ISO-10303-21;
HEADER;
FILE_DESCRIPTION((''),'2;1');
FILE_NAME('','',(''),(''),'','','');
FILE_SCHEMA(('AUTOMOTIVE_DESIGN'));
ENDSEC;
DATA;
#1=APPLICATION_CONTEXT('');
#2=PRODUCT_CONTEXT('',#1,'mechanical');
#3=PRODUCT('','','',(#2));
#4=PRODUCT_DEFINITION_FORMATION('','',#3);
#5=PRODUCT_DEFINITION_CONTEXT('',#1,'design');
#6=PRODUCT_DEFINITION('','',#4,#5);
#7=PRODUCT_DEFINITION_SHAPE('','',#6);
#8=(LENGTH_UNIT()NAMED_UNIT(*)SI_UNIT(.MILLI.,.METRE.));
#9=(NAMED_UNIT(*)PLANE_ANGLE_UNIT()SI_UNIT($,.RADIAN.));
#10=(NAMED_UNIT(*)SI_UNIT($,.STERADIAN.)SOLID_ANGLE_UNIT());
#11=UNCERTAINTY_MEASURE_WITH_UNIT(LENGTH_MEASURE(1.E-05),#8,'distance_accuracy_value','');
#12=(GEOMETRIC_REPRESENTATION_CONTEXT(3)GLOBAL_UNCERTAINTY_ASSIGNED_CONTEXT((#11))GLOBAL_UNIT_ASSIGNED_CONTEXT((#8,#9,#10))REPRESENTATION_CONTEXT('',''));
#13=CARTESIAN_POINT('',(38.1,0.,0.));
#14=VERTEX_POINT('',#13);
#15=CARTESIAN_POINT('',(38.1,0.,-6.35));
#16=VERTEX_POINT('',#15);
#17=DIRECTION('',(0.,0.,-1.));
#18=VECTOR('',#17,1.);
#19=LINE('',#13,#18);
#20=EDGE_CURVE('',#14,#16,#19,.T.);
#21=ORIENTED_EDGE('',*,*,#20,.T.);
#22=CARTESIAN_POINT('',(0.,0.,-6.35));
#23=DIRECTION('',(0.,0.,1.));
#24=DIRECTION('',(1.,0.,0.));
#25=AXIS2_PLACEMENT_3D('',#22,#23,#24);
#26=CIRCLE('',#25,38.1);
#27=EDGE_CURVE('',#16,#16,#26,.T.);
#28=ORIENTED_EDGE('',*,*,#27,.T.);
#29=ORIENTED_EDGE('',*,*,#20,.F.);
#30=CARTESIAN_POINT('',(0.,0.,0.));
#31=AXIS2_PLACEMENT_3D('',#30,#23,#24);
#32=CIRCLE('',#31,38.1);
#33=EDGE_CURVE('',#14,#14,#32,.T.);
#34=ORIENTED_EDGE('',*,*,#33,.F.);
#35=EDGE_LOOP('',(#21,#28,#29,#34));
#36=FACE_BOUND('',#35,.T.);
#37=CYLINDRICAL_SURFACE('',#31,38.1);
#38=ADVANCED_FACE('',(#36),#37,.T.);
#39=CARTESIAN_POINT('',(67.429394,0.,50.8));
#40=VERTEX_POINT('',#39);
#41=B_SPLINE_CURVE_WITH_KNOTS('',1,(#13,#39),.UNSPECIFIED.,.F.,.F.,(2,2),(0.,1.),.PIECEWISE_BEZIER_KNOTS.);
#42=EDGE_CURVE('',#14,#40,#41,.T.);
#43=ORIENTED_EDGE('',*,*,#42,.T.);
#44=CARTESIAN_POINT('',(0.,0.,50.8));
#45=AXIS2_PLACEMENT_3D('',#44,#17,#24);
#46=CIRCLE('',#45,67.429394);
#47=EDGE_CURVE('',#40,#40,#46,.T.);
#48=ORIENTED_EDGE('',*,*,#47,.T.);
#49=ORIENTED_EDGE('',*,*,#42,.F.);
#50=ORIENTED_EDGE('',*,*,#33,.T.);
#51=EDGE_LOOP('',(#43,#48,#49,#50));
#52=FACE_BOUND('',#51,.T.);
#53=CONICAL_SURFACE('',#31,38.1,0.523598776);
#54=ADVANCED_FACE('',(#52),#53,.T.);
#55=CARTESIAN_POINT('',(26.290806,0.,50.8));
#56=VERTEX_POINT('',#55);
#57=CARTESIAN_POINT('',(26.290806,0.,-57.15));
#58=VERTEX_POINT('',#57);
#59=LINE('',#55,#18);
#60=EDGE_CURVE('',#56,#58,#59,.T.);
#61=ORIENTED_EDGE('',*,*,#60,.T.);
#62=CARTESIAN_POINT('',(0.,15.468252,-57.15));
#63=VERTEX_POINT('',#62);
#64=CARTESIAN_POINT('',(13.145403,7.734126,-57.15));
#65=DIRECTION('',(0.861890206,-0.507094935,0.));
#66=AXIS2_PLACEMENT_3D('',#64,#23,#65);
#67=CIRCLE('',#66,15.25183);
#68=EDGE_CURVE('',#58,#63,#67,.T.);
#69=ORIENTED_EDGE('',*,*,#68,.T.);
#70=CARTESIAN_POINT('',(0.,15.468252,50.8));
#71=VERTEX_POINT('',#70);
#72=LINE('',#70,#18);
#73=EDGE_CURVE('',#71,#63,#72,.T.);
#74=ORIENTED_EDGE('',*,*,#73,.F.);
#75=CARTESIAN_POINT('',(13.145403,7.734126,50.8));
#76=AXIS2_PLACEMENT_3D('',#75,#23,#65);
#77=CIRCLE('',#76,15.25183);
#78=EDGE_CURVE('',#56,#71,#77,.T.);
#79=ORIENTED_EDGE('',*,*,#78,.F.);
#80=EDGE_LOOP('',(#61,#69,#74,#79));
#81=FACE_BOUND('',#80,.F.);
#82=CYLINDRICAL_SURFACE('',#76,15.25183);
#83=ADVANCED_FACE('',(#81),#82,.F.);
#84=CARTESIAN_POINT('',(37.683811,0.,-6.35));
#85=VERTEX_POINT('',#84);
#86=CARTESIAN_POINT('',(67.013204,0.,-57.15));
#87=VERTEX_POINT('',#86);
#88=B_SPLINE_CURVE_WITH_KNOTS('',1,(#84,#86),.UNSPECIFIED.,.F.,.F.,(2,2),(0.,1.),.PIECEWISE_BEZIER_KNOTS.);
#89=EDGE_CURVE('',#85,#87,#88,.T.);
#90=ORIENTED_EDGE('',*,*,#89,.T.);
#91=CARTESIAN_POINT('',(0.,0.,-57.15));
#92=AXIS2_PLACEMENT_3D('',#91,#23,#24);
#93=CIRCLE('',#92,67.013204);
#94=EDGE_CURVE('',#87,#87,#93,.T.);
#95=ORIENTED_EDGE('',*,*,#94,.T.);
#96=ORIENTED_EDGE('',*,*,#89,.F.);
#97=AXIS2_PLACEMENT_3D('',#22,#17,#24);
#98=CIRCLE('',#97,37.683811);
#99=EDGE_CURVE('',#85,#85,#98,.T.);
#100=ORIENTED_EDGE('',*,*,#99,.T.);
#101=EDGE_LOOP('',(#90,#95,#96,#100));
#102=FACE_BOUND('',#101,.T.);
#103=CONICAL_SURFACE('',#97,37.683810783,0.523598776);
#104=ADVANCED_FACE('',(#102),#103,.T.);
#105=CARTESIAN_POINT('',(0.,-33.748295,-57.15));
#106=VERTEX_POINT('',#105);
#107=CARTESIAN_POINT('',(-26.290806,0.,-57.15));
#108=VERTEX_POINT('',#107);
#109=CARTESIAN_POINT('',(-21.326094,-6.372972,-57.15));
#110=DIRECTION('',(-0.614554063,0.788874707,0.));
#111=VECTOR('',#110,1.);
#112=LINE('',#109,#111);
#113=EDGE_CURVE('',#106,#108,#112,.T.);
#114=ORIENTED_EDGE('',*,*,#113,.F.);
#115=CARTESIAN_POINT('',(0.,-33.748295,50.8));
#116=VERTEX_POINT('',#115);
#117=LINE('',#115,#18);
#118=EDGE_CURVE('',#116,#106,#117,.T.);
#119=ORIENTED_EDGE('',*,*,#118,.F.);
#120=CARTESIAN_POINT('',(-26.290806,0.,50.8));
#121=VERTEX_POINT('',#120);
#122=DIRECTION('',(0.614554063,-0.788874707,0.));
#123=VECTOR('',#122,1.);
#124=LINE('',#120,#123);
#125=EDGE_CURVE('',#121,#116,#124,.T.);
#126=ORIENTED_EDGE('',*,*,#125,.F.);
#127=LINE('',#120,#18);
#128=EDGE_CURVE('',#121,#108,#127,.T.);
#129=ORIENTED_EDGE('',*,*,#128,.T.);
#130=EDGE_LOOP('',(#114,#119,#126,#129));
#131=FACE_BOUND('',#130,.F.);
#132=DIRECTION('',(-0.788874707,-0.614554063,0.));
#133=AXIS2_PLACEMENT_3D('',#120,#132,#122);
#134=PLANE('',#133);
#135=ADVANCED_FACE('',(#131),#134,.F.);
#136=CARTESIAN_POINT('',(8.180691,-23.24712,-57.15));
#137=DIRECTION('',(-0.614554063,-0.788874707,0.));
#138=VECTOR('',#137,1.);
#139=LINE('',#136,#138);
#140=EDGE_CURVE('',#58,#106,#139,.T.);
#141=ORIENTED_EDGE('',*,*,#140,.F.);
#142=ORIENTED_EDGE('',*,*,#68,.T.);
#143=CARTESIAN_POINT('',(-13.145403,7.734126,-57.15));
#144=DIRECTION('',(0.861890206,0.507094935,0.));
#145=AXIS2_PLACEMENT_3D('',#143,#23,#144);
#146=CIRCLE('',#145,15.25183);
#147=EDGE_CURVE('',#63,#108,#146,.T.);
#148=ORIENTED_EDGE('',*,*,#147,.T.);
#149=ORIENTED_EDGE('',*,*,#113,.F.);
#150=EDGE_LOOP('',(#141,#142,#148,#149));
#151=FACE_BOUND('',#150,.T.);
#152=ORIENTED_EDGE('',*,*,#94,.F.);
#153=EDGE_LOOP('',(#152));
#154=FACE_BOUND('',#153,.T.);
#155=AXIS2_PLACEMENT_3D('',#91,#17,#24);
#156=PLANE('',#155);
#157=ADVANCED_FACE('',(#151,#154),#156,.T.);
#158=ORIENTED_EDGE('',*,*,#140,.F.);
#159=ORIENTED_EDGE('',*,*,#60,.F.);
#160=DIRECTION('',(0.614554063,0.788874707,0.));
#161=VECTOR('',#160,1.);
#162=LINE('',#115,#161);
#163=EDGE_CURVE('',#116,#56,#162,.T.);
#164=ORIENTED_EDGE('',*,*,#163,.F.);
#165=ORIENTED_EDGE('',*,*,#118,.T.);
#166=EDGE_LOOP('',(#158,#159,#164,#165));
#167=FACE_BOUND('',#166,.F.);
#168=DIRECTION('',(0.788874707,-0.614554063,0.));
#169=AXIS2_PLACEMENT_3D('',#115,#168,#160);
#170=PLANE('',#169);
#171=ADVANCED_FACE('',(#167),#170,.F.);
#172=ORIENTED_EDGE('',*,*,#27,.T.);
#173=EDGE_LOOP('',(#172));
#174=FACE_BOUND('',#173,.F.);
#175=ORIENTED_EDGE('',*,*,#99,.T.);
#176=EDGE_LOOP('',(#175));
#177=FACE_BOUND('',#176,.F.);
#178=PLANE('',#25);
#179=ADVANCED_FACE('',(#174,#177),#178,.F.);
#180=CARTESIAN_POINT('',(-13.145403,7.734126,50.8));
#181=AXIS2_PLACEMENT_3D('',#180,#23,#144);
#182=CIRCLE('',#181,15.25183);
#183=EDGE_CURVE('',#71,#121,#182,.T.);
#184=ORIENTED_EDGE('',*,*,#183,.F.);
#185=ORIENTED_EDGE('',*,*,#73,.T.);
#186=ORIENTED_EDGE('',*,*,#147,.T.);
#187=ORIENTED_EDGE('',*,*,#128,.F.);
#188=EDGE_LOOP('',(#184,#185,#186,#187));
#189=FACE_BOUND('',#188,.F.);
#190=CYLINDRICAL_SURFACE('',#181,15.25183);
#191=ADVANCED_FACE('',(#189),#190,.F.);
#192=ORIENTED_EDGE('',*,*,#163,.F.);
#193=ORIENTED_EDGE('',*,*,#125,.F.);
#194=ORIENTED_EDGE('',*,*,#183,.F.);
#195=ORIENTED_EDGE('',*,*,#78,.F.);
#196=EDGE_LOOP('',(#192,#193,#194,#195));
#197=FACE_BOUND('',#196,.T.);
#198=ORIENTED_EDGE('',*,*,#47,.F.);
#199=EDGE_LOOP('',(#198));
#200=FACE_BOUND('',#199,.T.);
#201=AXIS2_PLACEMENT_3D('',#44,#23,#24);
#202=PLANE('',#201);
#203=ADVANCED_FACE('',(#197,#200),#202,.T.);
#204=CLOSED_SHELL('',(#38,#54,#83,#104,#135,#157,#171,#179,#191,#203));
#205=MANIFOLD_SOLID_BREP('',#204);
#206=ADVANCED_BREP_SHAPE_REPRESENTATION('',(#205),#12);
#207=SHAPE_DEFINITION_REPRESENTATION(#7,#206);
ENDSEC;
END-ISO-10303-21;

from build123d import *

# Parameters (mm, degrees)
F0_R     = 38.1
F1_DEPTH = 50.8
F1_TAPER = -30
F2_DEPTH = 6.35
F3_R     = 37.6838107833
F4_DEPTH = 50.8
F4_TAPER = -30
F6_DEPTH = 127


with BuildPart() as f1:
    # F0 (on Top) → F1 (new body)
    with BuildSketch(Plane.XY):
        Circle(F0_R)
    extrude(amount=F1_DEPTH, taper=F1_TAPER)

    # F0 (on Top) → F2 (join)
    with BuildSketch(Plane.XY):
        Circle(F0_R)
    extrude(amount=-F2_DEPTH)

    # F3 (on face) → F4 (join)
    with BuildSketch(Plane(origin=(0, 0, -6.35), x_dir=(1, 0, 0), z_dir=(0, 0, -1))):
        Circle(F3_R)
    extrude(amount=F4_DEPTH, taper=F4_TAPER)

    # F5 (on face) → F6 (cut)
    with BuildSketch(Plane.XY.offset(50.8)):
        with BuildLine():
            Line((-26.2908060104, 0), (0, -33.7482951581))
            Line((0, -33.7482951581), (26.2908060104, 0))
            ThreePointArc((26.2908060104, 0), (20.8795288063, 20.8795288063), (0, 15.4682516023))
            ThreePointArc((0, 15.4682516023), (-20.8795288063, 20.8795288063), (-26.2908060104, 0))
        make_face()
    extrude(amount=-F6_DEPTH, mode=Mode.SUBTRACT)


solid = f1.part
